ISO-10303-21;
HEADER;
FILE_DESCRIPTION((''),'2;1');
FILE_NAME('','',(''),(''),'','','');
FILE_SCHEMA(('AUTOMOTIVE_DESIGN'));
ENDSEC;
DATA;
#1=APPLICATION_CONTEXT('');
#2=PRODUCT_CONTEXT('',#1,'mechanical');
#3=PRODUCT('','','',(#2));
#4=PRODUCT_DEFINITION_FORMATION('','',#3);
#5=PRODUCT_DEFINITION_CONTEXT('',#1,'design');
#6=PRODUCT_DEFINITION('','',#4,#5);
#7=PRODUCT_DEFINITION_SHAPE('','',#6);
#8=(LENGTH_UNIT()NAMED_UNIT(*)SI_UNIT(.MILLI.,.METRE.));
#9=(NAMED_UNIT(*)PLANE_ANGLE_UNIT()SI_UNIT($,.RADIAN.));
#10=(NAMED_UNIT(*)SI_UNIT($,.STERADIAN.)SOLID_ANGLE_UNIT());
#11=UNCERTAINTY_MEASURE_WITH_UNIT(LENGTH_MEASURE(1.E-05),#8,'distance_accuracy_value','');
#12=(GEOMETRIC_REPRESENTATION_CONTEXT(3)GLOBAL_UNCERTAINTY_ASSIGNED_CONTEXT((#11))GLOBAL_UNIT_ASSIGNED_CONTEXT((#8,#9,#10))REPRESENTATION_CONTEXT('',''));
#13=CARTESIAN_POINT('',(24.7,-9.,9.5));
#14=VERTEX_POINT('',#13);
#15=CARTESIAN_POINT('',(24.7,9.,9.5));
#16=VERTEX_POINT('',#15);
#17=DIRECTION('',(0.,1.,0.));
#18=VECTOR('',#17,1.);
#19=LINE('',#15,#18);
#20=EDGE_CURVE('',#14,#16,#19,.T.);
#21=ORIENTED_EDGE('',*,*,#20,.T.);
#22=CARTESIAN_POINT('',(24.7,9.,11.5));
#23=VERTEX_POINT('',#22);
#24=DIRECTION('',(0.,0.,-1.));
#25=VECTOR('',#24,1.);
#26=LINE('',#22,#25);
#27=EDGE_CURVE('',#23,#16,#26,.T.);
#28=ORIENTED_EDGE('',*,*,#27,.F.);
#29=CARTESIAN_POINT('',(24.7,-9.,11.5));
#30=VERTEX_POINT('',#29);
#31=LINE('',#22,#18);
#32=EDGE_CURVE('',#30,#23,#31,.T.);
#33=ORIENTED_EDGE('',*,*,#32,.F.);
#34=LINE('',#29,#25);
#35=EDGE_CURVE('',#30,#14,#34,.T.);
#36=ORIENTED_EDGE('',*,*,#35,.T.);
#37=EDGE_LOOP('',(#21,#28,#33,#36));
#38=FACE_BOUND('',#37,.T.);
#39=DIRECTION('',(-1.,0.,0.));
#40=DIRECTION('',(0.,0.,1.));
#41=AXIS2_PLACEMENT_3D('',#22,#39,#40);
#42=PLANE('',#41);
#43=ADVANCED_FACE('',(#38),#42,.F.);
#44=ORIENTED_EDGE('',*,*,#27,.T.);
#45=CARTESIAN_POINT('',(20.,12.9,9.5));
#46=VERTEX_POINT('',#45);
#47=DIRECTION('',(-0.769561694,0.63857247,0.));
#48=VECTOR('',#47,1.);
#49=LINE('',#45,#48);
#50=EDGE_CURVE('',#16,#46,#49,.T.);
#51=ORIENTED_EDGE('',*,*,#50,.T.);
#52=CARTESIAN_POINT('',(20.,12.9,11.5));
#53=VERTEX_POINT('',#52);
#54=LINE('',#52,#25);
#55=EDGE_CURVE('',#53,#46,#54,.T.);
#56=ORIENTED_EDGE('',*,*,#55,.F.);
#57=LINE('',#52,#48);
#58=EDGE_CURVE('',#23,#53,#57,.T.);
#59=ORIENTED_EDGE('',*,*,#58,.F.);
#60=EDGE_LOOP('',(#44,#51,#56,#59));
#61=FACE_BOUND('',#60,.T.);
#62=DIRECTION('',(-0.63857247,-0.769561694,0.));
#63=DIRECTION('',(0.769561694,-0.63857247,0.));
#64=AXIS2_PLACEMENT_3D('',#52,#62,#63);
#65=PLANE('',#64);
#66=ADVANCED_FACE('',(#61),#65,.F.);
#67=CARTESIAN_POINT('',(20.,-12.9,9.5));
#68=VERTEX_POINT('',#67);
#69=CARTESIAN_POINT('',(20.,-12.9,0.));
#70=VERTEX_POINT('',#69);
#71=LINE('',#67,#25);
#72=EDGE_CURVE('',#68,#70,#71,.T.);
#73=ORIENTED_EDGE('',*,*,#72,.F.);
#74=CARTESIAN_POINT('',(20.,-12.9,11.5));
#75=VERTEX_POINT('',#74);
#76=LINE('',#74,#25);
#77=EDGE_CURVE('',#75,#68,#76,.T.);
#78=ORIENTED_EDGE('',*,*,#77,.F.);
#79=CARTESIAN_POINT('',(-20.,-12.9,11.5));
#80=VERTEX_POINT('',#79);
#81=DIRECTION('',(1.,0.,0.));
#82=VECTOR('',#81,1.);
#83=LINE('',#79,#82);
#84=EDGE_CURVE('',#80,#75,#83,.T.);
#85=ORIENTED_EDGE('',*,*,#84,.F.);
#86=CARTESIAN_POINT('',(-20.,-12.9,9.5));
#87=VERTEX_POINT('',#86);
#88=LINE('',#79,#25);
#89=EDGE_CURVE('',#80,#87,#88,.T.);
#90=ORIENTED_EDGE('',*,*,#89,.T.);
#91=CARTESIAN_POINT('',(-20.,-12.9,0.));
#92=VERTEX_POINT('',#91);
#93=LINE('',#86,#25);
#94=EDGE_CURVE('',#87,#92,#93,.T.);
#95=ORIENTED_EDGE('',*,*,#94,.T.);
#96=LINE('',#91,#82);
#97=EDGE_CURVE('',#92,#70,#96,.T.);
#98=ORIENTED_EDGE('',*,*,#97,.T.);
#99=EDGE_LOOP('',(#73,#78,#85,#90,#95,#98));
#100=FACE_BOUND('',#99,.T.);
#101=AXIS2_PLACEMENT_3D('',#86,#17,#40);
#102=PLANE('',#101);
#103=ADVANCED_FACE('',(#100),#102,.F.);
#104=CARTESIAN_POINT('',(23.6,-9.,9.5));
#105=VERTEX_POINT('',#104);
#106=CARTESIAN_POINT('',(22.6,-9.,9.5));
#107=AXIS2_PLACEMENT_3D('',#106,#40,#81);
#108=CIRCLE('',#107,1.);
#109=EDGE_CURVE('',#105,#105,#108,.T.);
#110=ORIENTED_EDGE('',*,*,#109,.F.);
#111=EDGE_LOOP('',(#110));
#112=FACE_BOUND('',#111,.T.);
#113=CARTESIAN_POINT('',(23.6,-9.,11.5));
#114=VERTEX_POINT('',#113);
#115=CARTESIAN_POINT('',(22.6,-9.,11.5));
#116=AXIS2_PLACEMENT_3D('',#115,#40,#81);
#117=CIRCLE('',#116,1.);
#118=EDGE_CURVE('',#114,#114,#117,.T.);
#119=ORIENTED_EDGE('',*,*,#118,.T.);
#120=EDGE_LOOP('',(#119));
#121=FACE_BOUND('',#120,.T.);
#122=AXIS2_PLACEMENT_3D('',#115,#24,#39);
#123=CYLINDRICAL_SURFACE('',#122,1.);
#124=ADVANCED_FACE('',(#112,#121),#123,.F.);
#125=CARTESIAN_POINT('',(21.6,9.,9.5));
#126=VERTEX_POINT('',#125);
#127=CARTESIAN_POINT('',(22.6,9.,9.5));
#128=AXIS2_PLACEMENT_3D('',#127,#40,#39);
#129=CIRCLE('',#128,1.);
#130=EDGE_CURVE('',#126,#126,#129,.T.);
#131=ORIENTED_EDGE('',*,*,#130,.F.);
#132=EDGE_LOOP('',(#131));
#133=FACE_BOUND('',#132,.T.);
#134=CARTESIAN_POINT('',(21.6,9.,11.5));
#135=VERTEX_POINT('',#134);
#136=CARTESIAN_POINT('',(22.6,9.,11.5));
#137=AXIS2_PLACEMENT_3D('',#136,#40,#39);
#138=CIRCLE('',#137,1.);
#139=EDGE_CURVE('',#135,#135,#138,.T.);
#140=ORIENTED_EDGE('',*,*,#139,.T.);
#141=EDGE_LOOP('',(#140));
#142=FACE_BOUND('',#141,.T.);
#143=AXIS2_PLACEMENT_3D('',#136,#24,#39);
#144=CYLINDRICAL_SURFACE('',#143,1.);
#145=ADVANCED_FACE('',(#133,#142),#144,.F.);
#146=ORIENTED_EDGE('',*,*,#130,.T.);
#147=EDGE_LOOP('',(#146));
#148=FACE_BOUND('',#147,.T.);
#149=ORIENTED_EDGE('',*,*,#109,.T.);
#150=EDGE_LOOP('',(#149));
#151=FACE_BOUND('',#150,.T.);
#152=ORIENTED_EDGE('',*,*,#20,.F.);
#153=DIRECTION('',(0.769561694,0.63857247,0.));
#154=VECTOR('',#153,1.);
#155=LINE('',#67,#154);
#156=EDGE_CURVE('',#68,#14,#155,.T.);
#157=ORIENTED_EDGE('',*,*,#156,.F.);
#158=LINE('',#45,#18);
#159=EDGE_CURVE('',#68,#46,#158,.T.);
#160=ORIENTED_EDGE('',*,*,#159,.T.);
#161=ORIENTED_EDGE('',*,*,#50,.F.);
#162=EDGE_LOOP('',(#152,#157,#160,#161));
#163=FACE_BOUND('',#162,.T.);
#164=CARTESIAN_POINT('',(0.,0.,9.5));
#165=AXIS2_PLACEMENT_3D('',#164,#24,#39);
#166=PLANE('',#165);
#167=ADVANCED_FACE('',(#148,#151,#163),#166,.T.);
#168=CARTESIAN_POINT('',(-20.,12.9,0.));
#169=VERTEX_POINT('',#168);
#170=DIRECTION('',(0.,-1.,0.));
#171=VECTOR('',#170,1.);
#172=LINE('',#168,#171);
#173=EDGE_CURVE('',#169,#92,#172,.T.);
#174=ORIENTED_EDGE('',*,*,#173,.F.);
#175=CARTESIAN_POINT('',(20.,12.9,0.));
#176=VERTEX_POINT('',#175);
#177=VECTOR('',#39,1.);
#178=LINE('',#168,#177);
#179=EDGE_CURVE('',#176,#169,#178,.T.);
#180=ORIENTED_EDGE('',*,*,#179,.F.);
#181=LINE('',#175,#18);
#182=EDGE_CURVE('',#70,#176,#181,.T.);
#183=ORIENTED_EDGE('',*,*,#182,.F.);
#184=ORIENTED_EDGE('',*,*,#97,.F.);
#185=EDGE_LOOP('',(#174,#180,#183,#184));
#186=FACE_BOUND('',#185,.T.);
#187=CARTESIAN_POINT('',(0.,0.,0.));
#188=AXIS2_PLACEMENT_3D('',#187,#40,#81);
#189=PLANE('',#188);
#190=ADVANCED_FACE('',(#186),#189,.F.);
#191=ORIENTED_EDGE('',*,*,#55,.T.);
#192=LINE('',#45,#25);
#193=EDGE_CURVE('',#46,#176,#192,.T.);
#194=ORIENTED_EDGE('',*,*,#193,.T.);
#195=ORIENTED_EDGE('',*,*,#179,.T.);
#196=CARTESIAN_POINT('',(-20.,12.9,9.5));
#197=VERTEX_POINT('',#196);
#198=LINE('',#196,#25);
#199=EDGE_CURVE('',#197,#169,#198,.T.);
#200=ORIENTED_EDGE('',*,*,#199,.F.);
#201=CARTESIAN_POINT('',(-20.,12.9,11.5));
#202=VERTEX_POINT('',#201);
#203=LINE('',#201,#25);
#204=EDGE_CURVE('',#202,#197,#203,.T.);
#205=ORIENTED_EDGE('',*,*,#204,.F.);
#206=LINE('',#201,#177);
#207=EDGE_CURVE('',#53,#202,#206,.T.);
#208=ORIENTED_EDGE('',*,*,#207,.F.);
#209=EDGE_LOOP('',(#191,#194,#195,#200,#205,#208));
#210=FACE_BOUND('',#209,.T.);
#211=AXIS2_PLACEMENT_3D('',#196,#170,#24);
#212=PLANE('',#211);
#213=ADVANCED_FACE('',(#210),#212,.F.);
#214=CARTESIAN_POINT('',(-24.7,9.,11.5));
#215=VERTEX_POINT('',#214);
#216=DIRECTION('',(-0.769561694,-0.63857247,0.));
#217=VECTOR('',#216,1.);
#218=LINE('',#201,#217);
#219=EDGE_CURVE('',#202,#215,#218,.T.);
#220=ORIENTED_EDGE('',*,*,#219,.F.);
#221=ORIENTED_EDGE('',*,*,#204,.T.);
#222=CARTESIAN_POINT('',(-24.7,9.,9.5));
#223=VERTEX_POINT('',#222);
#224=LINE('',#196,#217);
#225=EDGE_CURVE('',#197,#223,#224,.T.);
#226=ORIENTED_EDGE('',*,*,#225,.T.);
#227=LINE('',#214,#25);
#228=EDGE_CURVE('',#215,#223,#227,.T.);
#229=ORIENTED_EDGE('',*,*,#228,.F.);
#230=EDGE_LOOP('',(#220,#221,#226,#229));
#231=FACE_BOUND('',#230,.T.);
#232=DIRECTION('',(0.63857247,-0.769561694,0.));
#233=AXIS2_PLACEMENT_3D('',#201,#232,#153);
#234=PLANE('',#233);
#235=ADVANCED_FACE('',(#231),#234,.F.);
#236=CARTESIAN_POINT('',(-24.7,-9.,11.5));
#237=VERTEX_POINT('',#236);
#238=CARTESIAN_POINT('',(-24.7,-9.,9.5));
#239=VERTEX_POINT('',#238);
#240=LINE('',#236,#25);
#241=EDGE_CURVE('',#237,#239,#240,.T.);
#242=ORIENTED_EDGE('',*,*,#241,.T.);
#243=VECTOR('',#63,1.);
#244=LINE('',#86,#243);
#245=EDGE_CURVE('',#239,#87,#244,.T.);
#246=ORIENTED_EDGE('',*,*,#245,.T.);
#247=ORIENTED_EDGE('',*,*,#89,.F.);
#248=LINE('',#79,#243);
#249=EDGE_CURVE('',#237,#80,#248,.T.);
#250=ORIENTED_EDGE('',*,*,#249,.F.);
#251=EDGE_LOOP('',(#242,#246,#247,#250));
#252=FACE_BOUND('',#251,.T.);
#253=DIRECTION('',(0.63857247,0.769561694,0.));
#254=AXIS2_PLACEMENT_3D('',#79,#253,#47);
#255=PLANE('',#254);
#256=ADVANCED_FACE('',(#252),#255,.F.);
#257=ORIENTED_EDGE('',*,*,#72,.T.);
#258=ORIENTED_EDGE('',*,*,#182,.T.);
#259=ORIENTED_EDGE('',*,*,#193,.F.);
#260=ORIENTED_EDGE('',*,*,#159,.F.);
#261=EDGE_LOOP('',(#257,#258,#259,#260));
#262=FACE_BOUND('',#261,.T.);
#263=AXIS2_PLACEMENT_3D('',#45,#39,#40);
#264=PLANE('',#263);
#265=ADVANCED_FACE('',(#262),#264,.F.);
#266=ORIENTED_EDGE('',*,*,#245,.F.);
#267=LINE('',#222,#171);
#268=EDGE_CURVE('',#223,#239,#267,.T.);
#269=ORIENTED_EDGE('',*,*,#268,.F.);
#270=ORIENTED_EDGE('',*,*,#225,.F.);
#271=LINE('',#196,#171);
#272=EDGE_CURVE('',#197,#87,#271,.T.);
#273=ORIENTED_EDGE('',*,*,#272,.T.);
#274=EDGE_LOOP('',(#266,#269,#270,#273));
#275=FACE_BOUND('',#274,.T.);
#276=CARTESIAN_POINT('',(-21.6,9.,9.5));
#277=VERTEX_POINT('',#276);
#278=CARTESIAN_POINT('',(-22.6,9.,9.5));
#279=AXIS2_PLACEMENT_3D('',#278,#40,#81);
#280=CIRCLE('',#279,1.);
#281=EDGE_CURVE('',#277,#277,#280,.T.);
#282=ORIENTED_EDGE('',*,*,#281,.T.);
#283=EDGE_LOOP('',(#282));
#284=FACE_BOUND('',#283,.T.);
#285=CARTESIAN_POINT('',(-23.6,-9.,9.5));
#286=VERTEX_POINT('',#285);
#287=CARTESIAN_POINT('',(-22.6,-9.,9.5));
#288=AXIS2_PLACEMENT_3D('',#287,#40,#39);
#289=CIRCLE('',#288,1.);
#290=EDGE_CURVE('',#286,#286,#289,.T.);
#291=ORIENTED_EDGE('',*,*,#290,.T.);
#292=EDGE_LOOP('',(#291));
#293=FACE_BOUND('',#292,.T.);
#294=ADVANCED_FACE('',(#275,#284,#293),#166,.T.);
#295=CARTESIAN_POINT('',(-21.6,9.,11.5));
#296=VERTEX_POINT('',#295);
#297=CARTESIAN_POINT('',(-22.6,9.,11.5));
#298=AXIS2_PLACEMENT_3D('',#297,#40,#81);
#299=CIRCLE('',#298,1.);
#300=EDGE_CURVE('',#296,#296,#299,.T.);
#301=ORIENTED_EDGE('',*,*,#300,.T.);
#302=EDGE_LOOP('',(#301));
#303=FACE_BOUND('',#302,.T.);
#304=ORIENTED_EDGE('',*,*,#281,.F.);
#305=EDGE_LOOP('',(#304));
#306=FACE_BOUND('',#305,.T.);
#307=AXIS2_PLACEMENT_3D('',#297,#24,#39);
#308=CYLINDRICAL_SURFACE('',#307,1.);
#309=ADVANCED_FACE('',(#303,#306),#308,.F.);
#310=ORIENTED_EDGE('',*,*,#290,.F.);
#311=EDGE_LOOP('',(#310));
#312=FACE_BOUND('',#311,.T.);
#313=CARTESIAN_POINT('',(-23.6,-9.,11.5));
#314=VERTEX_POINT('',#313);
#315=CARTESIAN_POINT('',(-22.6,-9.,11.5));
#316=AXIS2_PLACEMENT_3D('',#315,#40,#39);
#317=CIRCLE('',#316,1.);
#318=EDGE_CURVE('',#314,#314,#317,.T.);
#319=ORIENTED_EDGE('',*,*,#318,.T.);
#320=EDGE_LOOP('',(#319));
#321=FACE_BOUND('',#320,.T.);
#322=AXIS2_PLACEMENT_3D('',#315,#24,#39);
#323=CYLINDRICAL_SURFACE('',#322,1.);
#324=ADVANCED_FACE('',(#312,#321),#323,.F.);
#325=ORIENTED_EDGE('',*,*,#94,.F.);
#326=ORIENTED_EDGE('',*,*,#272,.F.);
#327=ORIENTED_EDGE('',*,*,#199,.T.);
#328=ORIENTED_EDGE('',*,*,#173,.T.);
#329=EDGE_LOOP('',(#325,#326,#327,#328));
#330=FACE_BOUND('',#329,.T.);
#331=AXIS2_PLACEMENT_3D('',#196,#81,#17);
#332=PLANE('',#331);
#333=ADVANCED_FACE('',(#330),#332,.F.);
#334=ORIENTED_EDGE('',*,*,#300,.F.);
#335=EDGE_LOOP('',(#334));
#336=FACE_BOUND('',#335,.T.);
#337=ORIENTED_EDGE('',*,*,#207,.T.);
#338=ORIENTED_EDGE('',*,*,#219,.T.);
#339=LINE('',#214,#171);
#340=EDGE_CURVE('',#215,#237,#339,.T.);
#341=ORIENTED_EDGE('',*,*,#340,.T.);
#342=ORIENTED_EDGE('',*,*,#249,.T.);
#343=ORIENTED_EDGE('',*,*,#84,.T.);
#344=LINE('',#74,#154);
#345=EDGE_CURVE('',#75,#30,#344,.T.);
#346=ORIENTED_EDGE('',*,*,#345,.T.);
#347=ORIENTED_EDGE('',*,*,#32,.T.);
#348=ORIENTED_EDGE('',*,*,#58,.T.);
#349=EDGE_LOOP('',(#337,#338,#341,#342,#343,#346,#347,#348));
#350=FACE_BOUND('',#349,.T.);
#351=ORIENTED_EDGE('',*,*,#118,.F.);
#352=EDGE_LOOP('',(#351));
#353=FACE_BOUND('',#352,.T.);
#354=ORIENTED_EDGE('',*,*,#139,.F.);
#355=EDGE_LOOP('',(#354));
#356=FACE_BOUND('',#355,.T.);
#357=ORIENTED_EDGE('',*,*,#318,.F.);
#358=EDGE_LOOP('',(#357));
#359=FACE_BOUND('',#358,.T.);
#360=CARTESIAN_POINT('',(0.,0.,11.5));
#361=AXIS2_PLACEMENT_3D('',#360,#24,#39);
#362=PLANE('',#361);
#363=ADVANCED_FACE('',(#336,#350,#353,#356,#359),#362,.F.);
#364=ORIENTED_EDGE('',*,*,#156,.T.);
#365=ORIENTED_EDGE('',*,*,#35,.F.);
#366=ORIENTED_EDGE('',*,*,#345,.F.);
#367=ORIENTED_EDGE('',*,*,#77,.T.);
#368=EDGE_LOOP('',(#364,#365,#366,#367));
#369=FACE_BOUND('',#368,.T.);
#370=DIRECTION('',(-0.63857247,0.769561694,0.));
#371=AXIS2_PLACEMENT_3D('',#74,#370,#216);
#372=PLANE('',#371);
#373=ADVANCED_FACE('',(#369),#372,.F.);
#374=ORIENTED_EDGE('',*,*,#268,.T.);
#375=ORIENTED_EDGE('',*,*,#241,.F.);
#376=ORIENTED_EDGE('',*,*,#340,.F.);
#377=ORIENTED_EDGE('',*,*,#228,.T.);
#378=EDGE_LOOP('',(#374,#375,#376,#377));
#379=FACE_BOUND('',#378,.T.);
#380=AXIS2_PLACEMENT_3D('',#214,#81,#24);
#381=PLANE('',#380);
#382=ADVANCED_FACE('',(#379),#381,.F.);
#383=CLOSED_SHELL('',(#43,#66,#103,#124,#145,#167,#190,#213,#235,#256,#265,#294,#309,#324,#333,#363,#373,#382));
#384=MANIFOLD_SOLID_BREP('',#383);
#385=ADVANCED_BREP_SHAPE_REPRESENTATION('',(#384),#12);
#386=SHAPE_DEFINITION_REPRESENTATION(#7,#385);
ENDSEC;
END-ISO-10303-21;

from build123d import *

# Parameters (mm, degrees)
SKETCH_1_W      = 40
SKETCH_1_H      = 25.8
EXTRUDE_1_DEPTH = 9.5
SKETCH_2_R      = 1
EXTRUDE_2_DEPTH = 2


with BuildPart() as part:
    # 草图1 → 凸台-拉伸1 (new body)
    with BuildSketch(Plane.XY):
        Rectangle(SKETCH_1_W, SKETCH_1_H)
    extrude(amount=EXTRUDE_1_DEPTH)

    # 草图2 → 凸台-拉伸2 (add)
    with BuildSketch(Plane.XY.offset(9.5)):
        Polygon((-20, 12.9), (20, 12.9), (24.7, 9), (24.7, -9), (20, -12.9), (-20, -12.9), (-24.7, -9), (-24.7, 9), align=None)
        with Locations((-22.6, 9)):
            Circle(SKETCH_2_R, mode=Mode.SUBTRACT)
        with Locations(Location((22.6, 9, 0), (0, 0, 180))):
            Circle(SKETCH_2_R, mode=Mode.SUBTRACT)
        with Locations((22.6, -9)):
            Circle(SKETCH_2_R, mode=Mode.SUBTRACT)
        with Locations(Location((-22.6, -9, 0), (0, 0, 180))):
            Circle(SKETCH_2_R, mode=Mode.SUBTRACT)
    extrude(amount=EXTRUDE_2_DEPTH)


solid = part.part
